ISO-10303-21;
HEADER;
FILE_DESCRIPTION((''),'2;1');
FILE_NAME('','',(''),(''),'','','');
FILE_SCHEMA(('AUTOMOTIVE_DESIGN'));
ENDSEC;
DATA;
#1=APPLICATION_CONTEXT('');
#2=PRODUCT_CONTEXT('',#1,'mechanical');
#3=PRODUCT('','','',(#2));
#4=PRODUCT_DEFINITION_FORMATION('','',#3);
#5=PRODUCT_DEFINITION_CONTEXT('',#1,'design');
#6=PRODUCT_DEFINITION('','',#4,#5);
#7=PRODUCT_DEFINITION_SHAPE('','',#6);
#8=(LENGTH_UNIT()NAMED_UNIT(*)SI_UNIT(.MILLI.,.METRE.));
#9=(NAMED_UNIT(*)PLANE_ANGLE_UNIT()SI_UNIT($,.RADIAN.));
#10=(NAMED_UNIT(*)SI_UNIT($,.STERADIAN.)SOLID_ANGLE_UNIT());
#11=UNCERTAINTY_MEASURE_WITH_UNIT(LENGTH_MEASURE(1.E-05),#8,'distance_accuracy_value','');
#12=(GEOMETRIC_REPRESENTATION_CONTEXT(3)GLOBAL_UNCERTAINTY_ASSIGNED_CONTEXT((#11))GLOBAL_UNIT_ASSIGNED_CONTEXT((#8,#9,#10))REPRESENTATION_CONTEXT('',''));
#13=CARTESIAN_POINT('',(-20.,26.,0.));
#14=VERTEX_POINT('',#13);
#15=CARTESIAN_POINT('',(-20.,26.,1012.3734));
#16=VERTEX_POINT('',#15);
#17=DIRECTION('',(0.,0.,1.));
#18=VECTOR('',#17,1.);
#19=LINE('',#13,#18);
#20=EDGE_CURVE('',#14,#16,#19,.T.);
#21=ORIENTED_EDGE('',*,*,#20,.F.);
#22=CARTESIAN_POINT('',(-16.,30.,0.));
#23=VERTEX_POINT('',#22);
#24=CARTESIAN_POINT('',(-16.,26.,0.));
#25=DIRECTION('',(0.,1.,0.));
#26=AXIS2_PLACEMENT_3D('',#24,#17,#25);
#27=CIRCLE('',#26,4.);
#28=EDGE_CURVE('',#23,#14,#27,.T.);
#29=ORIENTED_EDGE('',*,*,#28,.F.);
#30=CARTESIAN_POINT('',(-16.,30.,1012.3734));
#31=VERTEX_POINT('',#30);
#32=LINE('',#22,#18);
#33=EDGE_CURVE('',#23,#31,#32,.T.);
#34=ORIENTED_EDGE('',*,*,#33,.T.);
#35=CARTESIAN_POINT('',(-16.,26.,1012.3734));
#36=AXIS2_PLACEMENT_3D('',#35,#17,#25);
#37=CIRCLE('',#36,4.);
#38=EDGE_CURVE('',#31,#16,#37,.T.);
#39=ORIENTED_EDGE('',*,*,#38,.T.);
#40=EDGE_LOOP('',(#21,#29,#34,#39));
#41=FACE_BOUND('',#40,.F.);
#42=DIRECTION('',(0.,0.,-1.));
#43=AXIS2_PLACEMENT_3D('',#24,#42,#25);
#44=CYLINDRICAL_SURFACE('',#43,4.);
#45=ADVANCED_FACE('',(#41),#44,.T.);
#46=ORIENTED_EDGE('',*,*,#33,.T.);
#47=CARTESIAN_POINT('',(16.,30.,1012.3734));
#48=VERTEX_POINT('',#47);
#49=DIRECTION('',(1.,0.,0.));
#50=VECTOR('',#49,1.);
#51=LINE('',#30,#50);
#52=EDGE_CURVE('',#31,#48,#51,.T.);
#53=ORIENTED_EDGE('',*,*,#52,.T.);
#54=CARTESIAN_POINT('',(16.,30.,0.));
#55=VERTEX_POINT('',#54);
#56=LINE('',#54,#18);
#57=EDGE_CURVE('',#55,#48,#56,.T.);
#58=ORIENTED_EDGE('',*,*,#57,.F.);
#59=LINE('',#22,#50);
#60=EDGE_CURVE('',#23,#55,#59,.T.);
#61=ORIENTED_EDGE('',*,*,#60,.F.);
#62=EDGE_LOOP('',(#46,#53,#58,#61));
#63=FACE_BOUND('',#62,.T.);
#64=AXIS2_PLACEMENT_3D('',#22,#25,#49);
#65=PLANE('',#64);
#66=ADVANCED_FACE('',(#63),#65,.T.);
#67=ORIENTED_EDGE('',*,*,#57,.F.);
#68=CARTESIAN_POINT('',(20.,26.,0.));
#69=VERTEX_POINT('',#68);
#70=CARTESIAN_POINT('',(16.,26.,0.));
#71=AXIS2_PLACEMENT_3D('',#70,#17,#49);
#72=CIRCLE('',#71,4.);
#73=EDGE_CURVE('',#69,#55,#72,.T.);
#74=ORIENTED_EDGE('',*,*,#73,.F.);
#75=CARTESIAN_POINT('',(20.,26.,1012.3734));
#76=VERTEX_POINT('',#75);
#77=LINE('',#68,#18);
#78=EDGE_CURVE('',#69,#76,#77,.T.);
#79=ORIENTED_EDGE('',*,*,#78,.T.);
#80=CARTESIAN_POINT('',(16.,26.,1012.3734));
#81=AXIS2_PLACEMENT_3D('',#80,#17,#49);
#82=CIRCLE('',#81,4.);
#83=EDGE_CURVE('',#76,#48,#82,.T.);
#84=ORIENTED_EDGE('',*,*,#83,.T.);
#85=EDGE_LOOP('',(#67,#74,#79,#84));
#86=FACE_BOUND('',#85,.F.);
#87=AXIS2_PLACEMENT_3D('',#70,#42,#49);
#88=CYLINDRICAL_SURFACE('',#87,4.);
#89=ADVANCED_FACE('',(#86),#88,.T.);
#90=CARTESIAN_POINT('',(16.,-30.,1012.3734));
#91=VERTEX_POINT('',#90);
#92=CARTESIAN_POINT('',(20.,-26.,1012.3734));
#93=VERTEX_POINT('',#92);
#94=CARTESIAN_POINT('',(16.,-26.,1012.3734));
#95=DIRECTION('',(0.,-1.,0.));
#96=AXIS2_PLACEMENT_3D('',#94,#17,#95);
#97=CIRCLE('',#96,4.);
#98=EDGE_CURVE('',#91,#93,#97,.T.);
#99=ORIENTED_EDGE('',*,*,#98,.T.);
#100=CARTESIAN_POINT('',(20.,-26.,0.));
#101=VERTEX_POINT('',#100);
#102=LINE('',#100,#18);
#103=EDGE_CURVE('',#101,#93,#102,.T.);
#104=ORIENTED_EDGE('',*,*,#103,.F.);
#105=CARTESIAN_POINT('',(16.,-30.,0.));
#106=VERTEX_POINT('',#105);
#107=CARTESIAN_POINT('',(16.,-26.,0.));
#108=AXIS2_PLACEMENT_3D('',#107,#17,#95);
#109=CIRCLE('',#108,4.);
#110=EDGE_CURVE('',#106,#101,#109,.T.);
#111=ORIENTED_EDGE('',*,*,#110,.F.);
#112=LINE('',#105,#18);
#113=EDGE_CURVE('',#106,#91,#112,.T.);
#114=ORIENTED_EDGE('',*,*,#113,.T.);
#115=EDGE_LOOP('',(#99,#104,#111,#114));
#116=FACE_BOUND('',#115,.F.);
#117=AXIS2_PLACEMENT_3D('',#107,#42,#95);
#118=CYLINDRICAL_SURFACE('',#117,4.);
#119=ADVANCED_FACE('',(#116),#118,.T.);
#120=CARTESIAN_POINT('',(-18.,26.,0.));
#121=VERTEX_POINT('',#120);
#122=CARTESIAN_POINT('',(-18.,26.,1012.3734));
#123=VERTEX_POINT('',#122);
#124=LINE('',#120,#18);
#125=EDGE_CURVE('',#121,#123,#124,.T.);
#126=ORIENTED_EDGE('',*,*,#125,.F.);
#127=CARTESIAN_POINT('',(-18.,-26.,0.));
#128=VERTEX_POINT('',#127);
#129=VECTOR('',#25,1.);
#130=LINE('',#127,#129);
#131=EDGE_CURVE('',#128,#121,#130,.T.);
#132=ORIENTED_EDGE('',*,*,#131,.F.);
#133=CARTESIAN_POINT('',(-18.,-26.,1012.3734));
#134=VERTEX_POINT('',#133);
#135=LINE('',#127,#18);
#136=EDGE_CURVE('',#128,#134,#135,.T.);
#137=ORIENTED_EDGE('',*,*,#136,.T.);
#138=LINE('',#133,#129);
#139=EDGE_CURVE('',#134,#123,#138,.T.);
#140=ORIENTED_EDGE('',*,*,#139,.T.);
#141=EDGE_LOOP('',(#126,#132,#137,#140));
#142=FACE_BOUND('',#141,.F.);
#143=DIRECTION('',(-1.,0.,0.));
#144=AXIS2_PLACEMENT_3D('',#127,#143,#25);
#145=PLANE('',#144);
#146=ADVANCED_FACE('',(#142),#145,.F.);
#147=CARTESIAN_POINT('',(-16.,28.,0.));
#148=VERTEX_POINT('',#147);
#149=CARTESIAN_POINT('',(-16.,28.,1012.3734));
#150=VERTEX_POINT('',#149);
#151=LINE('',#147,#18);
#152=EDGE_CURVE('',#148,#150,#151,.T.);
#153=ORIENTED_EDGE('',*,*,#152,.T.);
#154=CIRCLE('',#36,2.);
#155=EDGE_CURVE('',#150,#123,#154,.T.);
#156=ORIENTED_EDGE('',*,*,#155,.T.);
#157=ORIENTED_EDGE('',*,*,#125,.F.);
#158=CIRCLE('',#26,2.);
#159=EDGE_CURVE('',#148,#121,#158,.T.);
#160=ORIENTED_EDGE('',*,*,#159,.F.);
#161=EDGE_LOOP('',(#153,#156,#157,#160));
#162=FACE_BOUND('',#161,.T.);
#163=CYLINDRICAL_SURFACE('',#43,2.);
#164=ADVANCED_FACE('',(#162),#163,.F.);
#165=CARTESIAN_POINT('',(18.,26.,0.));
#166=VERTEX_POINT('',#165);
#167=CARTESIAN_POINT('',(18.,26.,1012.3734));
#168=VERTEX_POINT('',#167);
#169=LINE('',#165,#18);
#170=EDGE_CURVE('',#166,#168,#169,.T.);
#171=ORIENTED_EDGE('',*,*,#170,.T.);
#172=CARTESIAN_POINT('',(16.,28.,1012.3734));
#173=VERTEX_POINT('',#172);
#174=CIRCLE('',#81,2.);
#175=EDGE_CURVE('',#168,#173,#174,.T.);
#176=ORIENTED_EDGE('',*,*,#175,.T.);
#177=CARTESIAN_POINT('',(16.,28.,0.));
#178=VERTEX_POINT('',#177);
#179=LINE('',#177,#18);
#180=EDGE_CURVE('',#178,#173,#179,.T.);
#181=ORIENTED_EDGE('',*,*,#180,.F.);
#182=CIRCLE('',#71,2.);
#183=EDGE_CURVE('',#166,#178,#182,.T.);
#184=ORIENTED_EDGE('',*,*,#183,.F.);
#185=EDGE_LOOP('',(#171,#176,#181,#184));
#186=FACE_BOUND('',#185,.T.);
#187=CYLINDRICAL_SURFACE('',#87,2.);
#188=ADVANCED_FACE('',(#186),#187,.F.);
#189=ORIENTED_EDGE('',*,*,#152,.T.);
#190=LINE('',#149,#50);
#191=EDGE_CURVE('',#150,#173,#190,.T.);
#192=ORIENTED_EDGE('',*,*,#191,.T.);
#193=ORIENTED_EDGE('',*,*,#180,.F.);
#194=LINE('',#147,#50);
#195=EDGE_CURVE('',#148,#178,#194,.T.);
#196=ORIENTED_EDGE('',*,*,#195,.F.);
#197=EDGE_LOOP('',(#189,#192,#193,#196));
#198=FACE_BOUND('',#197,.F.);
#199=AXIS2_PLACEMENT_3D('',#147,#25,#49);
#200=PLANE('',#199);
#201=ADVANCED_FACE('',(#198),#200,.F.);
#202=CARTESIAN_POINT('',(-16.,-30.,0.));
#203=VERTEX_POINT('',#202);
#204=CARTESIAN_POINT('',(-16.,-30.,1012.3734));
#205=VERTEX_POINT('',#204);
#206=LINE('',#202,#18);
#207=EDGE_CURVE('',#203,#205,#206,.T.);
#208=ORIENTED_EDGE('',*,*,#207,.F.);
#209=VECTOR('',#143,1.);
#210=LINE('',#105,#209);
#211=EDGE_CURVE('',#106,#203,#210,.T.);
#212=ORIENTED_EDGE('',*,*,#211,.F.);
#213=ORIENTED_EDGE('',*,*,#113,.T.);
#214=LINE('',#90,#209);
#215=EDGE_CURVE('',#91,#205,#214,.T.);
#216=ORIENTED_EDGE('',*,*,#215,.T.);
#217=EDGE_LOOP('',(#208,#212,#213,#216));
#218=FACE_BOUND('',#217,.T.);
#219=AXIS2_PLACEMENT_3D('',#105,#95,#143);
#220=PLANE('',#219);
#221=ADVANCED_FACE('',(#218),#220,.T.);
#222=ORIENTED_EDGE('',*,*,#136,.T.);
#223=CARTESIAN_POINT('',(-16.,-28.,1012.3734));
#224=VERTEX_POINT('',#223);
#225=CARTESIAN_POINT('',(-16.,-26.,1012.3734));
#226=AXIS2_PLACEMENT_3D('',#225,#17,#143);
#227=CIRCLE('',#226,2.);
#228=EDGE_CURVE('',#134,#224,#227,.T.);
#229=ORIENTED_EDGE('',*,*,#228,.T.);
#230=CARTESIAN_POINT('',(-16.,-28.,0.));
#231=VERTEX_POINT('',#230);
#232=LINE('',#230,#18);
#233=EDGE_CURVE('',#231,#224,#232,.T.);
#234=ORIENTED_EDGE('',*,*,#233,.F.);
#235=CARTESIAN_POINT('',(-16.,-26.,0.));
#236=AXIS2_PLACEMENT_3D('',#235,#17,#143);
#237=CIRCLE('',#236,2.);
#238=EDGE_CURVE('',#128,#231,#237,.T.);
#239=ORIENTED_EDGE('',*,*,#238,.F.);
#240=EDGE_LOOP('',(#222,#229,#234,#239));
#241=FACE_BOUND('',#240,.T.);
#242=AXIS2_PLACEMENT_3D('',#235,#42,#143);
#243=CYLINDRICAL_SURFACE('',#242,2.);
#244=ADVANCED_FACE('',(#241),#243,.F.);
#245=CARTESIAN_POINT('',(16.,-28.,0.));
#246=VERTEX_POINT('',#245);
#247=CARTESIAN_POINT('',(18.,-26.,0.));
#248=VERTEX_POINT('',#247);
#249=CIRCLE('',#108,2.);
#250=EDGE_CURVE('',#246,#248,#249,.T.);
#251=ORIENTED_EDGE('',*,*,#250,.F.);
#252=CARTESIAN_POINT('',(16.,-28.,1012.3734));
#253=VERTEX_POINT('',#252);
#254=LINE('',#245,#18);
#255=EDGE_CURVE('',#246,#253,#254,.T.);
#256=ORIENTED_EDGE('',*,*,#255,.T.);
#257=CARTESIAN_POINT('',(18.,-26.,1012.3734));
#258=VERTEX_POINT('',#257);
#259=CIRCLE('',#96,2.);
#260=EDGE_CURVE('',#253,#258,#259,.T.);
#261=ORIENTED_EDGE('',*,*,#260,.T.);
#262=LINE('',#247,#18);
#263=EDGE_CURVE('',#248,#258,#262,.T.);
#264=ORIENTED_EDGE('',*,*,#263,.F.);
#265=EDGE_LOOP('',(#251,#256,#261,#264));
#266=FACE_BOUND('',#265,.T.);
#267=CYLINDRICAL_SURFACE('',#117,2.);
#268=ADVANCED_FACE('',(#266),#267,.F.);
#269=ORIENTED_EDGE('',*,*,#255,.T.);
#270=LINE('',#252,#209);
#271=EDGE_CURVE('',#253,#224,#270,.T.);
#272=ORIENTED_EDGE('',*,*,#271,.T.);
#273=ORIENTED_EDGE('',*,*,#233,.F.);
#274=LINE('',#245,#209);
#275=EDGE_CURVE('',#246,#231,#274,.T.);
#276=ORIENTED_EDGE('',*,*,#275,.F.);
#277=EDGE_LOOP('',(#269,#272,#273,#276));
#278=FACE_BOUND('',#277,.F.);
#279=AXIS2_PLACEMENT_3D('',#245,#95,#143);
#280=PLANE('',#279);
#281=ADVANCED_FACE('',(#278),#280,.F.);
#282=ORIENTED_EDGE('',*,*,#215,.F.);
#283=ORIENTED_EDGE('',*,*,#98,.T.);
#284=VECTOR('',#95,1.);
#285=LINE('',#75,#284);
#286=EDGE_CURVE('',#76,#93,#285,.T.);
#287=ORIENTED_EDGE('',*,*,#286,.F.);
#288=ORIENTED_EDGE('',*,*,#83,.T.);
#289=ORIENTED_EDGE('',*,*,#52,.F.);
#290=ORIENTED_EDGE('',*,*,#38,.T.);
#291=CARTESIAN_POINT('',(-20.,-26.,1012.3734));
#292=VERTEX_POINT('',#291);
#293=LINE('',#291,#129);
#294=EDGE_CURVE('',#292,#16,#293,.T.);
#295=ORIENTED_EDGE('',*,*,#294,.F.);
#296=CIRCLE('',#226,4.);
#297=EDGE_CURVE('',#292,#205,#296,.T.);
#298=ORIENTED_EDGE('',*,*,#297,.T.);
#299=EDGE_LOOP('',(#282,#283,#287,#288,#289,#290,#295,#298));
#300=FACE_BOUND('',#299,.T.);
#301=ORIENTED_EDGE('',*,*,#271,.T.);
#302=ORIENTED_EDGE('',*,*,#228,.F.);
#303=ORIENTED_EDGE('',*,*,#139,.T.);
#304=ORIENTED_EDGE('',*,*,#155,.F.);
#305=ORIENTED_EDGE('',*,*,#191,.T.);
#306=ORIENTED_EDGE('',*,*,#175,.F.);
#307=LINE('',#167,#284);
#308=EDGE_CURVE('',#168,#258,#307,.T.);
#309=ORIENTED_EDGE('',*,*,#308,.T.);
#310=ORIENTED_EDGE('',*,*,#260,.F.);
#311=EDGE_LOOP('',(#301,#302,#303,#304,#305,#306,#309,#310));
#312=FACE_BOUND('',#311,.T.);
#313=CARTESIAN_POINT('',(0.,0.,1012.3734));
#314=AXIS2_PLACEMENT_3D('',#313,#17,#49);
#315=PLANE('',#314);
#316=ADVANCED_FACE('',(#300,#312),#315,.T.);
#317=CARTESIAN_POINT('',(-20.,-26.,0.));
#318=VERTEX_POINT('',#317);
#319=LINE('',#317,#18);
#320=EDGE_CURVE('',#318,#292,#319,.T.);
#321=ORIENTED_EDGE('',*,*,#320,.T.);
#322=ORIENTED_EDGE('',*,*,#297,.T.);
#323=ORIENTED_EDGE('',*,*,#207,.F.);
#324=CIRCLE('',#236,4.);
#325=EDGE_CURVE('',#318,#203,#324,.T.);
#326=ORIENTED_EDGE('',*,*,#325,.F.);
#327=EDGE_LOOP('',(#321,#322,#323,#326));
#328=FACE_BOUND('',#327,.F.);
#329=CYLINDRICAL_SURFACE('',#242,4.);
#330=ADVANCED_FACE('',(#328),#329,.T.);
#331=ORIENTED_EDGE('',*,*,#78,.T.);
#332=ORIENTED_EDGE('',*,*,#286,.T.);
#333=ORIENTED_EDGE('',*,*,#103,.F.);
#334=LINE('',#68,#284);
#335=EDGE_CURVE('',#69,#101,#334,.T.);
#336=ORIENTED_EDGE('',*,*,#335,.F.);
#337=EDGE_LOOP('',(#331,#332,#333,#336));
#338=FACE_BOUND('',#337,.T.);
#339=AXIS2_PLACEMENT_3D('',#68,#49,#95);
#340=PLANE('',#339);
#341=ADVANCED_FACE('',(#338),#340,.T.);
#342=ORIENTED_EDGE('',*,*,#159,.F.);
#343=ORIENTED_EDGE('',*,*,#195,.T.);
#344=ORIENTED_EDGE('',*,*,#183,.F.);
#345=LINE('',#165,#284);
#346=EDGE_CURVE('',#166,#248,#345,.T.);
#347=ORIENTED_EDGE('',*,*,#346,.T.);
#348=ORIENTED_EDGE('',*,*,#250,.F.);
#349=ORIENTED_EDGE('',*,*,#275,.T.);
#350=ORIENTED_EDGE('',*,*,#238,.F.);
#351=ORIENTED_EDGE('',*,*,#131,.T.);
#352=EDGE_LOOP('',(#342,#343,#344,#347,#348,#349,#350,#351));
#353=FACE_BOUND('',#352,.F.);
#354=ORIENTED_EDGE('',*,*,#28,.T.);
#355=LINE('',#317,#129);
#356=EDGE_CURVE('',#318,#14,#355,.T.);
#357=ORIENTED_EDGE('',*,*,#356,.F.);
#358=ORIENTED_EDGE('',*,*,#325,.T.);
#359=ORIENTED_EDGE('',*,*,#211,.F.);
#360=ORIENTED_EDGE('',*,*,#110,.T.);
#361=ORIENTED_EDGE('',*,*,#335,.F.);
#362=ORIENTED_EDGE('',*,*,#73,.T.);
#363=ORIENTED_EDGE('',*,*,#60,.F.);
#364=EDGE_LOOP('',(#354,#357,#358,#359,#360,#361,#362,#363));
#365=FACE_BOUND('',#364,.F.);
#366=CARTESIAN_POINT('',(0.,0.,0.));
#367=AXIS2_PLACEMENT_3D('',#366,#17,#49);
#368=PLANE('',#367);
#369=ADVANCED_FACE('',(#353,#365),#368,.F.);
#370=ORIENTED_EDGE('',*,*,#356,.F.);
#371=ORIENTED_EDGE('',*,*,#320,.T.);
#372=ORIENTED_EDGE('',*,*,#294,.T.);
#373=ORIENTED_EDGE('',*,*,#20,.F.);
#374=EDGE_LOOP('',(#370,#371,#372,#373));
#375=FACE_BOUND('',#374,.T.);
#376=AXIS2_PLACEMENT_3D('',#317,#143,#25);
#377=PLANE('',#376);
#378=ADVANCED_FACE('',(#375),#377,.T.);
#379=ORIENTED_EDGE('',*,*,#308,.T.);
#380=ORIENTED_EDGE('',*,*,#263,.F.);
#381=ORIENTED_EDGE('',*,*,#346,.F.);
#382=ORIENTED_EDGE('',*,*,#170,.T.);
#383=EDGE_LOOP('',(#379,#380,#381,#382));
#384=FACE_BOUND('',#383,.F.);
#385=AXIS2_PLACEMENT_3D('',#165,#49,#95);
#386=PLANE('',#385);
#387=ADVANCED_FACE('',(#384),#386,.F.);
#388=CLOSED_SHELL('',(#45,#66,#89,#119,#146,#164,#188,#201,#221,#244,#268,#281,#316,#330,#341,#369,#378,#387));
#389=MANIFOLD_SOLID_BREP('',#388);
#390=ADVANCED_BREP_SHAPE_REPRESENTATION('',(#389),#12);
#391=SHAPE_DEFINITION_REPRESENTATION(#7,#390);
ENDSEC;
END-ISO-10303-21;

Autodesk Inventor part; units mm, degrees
ref_plane "YZ Plane" through (0, 0, 0) normal (1, 0, 0) x (0, 1, 0)
ref_plane "Start Plane" through (0, 0, 0) normal (0, 0, 1) x (1, 0, 0)
ref_plane "End Plane" through (0, 0, 1012.3734) normal (0, 0, 1) x (1, 0, 0)
sketch "Sketch" plane through (0, 0, 0) normal (0, 0, 1) x (1, 0, 0)
  line L0 (-20, -26) -> (-20, 26)
  line L1 (-16, 30) -> (16, 30)
  line L2 (20, 26) -> (20, -26)
  line L3 (16, -30) -> (-16, -30)
  arc A0 (-20, -26) -> (-16, -30) centre (-16, -26) ccw
  arc A1 (20, 26) -> (16, 30) centre (16, 26) ccw
  arc A2 (-16, 30) -> (-20, 26) centre (-16, 26) ccw
  arc A3 (16, -30) -> (20, -26) centre (16, -26) ccw
  arc A4 (-16, 28) -> (-18, 26) centre (-16, 26) ccw
  line L4 (-16, 28) -> (16, 28)
  arc A5 (18, 26) -> (16, 28) centre (16, 26) ccw
  line L5 (18, 26) -> (18, -26)
  arc A6 (16, -28) -> (18, -26) centre (16, -26) ccw
  line L6 (16, -28) -> (-16, -28)
  arc A7 (-18, -26) -> (-16, -28) centre (-16, -26) ccw
  line L7 (-18, -26) -> (-18, 26)
  line L8 (0, 43.1598) -> (0, -43.1598) construction
  line L9 (-29.1598, 0) -> (29.1598, 0) construction
  dimension "d7" = 4
  dimension "d9" = 40
  dimension "d11" = 60
  dimension "d12" = 2
  dimension "d15" = 20
  dimension "d16" = 30
extrude "Body" add sketch "Sketch" along normal up to surface (1012.3734 mm away) from surface at 0
sketch "Sketch3" plane through (0, 0, 0) normal (0, 0, 1) x (1, 0, 0)
  line L0 (0, 0) -> (10, 0)
ref_plane "Work Plane3" through (0, 0, 0) normal (0, -1, 0) x (1, 0, 0)
sketch "Sketch4" plane through (0, 0, 0) normal (0, -1, 0) x (1, 0, 0)
  line L0 (-2, 0) -> (12, 0) projected
  line L1 (-2, 1012.3734) -> (12, 1012.3734) projected
  dimension "d18" = 1012.3735
equation "\"d7\" = G_IR"
equation "\"d9\" = G_W"
equation "\"d11\" = G_H"
equation "\"d12\" = G_T"
equation "\"d15\" = 0.5 * d9"
equation "\"d16\" = 0.5 * d11"
equation "\"d3\" = G_L"
equation "\"G_W\" = 40"
equation "\"G_H\" = 60"
equation "\"G_T\" = 2"
equation "\"G_IR\" = 4"
equation "\"G_L\" = d18"
equation "\"G_OFFSET_START\" = 0"
equation "\"G_OFFSET_END\" = 0"
equation "\"d14\" = G_OFFSET_END + B_L"
equation "\"B_L\" = 1012.37345"
properties part number "ISO 10799-2 - 60x40x2 - 1012,37" material "Steel, Mild"
